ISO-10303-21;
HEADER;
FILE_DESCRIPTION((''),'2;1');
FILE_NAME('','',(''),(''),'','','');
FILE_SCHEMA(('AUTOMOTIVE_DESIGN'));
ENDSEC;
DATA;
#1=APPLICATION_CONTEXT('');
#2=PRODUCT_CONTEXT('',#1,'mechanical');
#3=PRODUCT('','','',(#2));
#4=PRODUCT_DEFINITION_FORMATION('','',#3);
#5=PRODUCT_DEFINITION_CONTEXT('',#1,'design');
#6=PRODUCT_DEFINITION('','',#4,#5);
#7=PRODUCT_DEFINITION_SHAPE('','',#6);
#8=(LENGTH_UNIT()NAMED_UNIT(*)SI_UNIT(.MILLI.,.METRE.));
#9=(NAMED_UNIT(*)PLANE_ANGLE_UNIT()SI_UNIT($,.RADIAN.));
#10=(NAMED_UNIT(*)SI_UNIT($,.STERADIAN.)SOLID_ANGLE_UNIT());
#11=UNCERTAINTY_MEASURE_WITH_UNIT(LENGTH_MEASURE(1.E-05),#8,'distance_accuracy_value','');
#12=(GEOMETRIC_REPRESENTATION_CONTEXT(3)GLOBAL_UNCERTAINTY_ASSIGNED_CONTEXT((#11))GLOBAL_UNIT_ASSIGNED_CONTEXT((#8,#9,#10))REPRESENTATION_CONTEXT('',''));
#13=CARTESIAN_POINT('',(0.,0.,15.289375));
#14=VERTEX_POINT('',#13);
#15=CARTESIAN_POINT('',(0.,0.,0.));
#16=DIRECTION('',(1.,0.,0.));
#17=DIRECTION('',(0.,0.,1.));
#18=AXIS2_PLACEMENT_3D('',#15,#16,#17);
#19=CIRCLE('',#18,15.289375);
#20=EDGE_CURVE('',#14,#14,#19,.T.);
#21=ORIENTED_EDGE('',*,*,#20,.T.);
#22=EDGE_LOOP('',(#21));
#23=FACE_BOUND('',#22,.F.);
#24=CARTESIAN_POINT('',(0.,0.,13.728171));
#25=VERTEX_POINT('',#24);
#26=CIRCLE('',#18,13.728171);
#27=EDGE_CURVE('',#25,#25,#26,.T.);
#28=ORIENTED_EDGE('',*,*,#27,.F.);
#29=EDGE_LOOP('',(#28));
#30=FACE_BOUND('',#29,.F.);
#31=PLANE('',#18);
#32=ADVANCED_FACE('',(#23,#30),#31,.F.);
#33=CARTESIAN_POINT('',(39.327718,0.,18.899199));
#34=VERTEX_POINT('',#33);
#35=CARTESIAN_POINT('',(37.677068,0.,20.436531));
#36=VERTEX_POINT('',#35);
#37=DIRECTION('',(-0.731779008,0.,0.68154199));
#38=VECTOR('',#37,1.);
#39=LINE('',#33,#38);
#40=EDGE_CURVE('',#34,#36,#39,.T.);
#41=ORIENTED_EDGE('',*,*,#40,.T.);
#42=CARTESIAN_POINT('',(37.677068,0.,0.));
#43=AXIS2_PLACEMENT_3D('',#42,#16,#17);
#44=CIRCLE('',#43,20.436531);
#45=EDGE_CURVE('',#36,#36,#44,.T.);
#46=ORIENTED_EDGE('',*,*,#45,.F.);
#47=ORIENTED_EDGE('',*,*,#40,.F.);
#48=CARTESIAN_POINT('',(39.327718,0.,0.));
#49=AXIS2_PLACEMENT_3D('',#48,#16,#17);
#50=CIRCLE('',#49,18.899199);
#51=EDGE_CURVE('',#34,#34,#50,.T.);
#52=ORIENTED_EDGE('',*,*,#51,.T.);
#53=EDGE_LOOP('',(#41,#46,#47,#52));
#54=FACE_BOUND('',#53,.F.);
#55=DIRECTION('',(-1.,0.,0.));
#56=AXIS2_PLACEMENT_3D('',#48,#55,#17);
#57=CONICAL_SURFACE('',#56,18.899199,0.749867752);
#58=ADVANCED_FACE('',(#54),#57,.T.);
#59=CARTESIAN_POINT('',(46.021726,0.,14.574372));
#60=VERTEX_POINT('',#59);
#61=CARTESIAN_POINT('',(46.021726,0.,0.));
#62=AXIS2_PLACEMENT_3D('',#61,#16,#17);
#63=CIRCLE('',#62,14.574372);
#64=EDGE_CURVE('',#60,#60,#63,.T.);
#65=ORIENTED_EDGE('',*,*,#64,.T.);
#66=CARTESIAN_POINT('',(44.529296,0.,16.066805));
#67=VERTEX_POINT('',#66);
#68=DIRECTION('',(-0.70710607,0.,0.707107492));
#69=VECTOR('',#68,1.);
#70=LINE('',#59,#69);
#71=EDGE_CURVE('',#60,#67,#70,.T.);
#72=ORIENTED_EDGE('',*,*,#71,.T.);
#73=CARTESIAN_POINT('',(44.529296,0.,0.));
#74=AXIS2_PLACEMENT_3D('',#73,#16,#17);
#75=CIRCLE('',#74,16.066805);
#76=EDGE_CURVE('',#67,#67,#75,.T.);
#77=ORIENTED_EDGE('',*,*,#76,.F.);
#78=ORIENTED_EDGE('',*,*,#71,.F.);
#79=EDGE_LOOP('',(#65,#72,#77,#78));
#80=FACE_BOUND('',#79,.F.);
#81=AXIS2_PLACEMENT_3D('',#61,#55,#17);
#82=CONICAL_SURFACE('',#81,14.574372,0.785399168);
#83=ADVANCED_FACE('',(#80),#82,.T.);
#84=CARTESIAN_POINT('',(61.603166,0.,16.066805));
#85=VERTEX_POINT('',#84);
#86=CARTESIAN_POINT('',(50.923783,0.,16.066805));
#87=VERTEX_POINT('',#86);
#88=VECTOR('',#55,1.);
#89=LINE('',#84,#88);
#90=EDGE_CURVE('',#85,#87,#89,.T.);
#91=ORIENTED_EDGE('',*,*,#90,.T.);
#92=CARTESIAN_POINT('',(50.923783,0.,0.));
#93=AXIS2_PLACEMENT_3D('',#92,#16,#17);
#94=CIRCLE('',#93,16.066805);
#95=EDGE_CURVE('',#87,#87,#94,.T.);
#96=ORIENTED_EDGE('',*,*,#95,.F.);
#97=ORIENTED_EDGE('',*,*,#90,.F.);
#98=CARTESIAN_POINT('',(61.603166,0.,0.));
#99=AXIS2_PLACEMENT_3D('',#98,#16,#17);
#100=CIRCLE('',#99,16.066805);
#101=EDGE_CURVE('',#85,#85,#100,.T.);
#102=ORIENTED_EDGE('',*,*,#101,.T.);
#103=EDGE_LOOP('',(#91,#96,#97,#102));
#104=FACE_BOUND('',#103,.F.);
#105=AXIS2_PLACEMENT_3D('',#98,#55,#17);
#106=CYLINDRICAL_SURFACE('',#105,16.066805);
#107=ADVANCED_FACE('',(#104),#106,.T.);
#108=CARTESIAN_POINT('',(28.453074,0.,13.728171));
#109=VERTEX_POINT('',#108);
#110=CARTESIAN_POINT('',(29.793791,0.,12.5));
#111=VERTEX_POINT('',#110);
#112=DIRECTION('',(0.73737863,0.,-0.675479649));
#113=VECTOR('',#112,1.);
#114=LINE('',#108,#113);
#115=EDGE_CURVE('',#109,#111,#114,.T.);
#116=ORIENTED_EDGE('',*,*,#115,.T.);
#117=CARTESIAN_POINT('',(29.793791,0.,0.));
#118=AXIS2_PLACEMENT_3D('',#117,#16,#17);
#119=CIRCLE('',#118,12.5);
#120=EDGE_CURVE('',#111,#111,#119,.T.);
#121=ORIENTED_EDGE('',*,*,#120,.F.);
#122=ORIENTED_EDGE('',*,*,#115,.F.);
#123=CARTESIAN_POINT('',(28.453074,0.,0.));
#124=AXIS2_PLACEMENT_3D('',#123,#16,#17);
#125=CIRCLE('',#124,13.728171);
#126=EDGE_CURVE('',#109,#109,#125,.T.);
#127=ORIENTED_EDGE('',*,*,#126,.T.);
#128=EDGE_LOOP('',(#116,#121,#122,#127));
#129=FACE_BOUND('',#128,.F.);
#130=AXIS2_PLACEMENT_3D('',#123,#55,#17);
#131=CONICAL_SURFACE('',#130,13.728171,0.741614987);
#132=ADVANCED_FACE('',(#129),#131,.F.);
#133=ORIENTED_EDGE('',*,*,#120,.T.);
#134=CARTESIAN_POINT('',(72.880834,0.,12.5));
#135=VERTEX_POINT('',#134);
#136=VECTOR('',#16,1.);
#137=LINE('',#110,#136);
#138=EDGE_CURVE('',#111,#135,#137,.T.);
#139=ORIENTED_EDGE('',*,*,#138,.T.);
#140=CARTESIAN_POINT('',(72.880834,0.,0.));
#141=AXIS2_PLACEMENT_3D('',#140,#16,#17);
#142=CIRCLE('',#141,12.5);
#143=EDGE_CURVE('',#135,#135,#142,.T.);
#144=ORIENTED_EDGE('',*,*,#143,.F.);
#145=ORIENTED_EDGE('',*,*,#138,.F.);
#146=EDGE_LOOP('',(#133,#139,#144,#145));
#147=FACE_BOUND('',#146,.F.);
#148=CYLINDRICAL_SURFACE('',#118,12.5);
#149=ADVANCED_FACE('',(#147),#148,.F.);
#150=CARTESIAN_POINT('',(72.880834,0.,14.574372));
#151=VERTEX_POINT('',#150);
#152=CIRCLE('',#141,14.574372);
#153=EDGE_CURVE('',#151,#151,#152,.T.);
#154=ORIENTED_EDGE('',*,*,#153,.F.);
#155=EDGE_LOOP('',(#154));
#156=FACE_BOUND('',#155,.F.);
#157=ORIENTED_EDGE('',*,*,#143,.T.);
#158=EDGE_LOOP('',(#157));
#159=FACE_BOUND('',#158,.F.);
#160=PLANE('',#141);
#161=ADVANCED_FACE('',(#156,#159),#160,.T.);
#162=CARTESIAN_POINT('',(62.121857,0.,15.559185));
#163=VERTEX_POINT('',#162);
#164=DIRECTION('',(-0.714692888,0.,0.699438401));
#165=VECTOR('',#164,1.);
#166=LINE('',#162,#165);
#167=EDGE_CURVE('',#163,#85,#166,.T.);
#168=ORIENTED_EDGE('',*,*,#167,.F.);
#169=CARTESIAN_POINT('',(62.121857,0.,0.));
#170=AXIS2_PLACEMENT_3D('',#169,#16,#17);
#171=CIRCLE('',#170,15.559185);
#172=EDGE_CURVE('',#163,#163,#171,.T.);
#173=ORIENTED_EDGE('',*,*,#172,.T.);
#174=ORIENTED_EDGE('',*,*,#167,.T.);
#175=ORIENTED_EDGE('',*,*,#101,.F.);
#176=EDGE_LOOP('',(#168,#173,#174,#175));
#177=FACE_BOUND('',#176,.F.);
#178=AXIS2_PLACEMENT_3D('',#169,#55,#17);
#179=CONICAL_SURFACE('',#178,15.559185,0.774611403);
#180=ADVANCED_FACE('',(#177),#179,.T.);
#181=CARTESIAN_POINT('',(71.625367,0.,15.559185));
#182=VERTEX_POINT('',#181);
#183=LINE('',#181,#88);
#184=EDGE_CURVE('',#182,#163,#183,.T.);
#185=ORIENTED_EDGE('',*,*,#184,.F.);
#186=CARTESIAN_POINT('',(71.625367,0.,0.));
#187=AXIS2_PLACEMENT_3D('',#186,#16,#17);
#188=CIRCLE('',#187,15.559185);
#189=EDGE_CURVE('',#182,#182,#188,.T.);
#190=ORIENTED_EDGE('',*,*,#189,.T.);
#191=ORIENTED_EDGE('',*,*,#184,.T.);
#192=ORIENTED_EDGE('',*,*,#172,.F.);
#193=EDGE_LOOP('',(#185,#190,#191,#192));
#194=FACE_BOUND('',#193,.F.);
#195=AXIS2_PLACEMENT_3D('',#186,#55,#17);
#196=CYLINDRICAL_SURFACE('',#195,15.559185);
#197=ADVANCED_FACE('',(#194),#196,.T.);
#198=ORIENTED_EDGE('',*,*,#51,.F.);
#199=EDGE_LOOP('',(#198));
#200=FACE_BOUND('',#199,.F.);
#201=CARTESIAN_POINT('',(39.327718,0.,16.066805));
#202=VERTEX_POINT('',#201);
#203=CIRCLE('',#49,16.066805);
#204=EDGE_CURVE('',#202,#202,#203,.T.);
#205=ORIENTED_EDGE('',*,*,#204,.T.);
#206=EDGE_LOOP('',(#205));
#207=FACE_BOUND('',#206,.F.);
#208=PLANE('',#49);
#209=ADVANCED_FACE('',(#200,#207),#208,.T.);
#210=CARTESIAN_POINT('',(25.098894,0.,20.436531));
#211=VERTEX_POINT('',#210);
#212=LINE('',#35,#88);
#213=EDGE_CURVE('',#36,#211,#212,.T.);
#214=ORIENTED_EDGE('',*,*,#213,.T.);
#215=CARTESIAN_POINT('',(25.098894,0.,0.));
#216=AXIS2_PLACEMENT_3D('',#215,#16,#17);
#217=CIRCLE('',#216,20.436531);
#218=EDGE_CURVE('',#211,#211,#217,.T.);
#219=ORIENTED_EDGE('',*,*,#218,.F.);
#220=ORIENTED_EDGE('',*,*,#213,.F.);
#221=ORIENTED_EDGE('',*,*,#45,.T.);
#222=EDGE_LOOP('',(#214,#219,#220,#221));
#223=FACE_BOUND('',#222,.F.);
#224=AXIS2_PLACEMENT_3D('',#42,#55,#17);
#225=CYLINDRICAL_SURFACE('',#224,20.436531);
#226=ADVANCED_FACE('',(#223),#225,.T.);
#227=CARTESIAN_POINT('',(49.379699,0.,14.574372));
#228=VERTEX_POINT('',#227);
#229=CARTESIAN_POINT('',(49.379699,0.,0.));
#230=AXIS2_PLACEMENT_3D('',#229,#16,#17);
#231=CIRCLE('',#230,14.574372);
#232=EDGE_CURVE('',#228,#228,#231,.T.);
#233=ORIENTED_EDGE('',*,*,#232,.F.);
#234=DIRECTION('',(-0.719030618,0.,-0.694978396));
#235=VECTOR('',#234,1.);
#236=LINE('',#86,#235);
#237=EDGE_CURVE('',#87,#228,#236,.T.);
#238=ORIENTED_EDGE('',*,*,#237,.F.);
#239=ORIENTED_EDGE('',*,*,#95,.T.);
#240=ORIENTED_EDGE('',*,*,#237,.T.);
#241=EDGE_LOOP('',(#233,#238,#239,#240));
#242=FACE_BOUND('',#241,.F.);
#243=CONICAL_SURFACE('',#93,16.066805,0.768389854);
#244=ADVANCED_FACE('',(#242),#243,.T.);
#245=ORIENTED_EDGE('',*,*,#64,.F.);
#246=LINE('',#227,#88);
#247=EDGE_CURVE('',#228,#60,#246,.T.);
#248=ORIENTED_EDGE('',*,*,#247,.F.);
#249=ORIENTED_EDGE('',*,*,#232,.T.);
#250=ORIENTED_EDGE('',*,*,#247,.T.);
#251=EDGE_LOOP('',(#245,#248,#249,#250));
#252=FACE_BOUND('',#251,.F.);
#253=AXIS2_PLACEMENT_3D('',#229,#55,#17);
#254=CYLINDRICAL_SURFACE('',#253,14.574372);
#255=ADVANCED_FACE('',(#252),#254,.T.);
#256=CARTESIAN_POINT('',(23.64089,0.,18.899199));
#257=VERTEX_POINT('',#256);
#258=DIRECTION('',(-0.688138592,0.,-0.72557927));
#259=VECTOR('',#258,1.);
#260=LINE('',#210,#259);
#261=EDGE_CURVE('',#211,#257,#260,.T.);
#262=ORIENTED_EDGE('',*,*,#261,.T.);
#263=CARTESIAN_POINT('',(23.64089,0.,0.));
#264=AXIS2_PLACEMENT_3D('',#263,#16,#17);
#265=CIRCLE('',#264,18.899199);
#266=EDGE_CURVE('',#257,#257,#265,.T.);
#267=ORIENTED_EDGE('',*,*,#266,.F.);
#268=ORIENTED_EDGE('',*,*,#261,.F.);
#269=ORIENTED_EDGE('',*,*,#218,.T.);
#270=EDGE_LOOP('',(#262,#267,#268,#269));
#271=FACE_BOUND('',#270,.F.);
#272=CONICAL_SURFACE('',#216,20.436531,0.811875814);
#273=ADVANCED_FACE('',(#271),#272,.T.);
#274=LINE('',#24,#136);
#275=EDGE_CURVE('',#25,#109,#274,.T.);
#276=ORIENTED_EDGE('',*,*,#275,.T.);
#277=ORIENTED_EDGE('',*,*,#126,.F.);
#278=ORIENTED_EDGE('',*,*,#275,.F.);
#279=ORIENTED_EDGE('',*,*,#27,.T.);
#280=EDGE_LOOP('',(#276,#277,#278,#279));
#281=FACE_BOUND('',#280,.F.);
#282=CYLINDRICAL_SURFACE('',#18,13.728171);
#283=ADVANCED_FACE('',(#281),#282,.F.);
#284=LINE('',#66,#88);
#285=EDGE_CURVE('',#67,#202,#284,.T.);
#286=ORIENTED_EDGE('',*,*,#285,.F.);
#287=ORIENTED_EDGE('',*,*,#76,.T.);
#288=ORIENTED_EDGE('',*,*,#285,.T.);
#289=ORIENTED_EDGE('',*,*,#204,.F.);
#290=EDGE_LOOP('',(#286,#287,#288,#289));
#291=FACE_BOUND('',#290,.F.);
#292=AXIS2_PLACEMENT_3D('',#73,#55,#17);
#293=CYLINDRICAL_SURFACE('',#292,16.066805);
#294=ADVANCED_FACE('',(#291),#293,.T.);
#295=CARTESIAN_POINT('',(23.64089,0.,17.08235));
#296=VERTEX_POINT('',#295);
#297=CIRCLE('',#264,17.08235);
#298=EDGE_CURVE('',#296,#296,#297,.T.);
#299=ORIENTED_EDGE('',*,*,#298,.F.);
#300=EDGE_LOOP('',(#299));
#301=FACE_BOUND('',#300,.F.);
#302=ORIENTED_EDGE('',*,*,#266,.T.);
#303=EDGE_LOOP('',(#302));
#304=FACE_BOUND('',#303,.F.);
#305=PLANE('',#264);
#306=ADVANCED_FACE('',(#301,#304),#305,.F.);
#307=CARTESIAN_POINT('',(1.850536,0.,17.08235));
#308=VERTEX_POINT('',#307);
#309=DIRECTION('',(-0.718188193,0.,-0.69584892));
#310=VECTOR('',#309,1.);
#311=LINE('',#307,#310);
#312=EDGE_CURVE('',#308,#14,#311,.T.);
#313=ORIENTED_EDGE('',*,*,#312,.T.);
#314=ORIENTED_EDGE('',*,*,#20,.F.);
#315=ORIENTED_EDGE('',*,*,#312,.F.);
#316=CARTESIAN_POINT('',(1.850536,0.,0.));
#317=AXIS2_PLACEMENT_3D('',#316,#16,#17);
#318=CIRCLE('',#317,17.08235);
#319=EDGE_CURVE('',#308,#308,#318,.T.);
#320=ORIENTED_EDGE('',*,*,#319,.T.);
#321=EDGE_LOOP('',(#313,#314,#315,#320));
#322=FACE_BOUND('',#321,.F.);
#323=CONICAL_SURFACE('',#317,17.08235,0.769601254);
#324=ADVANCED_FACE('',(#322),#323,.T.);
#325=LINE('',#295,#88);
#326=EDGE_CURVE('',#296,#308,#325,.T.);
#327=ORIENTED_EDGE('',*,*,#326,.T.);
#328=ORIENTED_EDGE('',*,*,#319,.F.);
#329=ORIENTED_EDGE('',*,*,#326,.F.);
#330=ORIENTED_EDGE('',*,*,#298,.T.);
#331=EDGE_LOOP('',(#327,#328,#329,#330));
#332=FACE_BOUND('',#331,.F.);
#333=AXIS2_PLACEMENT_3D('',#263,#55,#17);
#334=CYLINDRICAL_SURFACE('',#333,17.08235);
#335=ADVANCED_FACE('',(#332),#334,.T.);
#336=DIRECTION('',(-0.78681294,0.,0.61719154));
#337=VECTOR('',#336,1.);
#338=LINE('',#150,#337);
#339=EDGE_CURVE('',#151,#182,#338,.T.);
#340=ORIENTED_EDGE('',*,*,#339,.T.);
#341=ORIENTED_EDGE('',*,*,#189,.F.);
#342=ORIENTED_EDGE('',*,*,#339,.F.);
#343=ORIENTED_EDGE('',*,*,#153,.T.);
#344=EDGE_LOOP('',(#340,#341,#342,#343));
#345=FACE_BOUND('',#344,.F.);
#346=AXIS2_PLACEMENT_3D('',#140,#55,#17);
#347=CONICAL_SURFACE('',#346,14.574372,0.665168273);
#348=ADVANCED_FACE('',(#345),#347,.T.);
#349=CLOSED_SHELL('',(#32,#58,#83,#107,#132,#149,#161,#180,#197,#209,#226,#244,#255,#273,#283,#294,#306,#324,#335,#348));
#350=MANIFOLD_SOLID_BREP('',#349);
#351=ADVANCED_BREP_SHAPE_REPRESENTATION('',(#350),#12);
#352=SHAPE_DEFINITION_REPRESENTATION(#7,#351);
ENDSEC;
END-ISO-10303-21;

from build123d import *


with BuildPart() as f1:
    # F0 (on Front) → F1 (revolve)
    with BuildSketch(Plane.XZ):
        Polygon((29.793791, 12.5), (72.880834, 12.5), (72.880834, 14.574372), (71.625367, 15.559185), (62.121857, 15.559185), (61.603166, 16.066805), (50.923783, 16.066805), (49.379699, 14.574372), (46.021726, 14.574372), (44.529296, 16.066805), (39.327718, 16.066805), (39.327718, 18.899199), (37.677068, 20.436531), (25.098894, 20.436531), (23.64089, 18.899199), (23.64089, 17.08235), (1.850536, 17.08235), (0, 15.289375), (0, 13.728171), (28.453074, 13.728171), align=None)
    revolve(axis=Axis((36.5, 0, 0), (1, 0, 0)))


solid = f1.part
